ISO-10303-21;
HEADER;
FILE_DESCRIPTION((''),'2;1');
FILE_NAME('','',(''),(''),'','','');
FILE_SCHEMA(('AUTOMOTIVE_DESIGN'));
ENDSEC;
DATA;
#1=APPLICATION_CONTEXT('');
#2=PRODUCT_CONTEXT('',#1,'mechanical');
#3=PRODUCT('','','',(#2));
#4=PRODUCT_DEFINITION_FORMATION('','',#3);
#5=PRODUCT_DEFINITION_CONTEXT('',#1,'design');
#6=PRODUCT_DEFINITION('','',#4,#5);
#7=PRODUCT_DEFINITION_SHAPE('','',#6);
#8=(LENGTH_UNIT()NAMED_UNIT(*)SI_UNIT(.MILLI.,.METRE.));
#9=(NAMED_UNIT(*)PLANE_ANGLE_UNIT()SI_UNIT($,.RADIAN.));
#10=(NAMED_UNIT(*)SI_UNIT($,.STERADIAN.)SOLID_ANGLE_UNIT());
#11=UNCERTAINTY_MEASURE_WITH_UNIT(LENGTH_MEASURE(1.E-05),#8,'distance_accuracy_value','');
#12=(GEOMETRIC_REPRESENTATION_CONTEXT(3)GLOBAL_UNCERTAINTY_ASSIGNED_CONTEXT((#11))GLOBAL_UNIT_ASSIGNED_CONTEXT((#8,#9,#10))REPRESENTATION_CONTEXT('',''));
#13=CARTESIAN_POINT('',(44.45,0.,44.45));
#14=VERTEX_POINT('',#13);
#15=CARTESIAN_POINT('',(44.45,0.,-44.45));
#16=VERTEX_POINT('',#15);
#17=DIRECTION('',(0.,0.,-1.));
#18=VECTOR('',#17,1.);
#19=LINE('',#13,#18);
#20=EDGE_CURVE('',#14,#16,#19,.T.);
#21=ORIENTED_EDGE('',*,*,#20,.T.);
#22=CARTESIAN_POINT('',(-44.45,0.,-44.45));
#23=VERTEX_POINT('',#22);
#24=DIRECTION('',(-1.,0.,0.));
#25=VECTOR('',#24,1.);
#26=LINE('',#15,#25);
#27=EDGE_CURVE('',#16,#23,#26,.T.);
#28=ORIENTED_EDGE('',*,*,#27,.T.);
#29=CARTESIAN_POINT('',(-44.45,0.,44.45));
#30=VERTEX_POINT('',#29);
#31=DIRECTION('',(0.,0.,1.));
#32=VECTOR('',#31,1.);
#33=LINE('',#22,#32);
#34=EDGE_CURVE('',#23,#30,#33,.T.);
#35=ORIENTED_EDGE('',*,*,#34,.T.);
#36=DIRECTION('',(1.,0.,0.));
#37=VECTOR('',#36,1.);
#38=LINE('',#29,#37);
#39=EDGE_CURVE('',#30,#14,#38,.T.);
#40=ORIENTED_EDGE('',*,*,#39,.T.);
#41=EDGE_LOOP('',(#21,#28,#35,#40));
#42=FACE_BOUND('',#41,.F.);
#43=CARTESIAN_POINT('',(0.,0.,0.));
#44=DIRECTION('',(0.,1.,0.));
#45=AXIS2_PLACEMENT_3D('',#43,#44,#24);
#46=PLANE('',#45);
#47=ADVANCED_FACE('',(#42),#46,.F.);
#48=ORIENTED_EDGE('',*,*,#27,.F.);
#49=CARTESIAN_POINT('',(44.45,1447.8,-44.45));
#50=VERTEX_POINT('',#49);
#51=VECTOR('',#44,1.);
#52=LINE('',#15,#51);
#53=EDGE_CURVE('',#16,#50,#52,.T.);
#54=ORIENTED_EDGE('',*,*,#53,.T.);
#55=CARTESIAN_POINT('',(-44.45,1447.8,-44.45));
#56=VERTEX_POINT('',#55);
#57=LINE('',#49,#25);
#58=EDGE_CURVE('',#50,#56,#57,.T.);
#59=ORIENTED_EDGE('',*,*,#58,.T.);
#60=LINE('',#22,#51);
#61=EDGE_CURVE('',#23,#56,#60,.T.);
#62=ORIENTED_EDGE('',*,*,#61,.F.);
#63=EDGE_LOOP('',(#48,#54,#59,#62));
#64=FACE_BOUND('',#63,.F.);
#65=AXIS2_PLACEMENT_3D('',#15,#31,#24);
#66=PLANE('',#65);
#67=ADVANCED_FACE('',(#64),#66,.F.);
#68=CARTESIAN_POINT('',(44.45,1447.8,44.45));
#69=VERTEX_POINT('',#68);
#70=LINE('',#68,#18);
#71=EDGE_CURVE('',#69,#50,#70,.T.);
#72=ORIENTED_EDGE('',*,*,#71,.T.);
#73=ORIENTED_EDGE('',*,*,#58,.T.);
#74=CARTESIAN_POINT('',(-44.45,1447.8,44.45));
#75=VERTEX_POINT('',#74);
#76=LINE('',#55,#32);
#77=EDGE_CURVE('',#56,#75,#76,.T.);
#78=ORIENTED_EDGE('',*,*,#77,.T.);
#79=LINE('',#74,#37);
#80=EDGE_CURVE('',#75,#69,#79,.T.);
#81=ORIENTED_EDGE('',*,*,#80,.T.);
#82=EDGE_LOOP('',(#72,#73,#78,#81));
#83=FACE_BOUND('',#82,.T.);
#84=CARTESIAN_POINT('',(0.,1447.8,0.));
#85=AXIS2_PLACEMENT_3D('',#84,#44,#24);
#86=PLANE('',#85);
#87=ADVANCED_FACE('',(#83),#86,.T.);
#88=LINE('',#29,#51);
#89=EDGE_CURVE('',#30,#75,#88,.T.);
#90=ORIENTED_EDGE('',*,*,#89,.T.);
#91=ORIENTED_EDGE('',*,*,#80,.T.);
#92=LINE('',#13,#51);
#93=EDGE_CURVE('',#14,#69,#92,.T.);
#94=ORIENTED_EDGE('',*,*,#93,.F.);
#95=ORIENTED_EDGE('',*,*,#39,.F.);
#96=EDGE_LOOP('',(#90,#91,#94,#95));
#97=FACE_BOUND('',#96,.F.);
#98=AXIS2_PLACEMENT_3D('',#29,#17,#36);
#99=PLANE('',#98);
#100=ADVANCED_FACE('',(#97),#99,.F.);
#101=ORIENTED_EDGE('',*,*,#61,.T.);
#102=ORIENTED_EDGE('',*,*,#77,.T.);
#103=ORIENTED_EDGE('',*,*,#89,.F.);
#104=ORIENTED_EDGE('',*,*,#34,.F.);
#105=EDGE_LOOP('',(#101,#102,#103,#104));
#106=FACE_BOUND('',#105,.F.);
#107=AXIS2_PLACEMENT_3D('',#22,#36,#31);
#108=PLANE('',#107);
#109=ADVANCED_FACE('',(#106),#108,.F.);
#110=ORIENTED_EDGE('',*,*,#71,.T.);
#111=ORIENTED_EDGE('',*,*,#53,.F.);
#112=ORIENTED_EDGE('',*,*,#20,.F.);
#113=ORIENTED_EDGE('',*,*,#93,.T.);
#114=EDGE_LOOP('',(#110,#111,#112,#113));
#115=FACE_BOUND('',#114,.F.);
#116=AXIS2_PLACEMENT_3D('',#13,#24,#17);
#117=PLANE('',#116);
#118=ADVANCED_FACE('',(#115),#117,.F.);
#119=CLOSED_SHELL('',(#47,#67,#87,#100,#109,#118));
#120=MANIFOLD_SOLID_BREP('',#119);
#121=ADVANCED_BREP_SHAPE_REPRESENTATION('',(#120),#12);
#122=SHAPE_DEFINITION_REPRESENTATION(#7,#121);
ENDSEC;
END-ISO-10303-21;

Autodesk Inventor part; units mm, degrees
ref_plane "YZ Plane" through (0, 0, 0) normal (1, 0, 0) x (0, 1, 0)
ref_plane "XZ Plane" through (0, 0, 0) normal (0, 1, 0) x (-1, 0, 0)
ref_plane "XY Plane" through (0, 0, 0) normal (0, 0, 1) x (1, 0, 0)
sketch "Sketch1" plane through (0, 0, 0) normal (0, 1, 0) x (-1, 0, 0)
  line L0 (-44.45, 44.45) -> (-44.45, -44.45)
  line L1 (-44.45, -44.45) -> (44.45, -44.45)
  line L2 (44.45, -44.45) -> (44.45, 44.45)
  line L3 (44.45, 44.45) -> (-44.45, 44.45)
  line L4 (-44.45, 44.45) -> (44.45, -44.45) construction
  line L5 (-44.45, -44.45) -> (44.45, 44.45) construction
  point P0 (0, 0)
  dimension "d0" = 88.9
extrude "Extrusion1" add sketch "Sketch1" along normal blind 1447.8
properties part number "Rear Post North Side" material "Wood (Birch)"
